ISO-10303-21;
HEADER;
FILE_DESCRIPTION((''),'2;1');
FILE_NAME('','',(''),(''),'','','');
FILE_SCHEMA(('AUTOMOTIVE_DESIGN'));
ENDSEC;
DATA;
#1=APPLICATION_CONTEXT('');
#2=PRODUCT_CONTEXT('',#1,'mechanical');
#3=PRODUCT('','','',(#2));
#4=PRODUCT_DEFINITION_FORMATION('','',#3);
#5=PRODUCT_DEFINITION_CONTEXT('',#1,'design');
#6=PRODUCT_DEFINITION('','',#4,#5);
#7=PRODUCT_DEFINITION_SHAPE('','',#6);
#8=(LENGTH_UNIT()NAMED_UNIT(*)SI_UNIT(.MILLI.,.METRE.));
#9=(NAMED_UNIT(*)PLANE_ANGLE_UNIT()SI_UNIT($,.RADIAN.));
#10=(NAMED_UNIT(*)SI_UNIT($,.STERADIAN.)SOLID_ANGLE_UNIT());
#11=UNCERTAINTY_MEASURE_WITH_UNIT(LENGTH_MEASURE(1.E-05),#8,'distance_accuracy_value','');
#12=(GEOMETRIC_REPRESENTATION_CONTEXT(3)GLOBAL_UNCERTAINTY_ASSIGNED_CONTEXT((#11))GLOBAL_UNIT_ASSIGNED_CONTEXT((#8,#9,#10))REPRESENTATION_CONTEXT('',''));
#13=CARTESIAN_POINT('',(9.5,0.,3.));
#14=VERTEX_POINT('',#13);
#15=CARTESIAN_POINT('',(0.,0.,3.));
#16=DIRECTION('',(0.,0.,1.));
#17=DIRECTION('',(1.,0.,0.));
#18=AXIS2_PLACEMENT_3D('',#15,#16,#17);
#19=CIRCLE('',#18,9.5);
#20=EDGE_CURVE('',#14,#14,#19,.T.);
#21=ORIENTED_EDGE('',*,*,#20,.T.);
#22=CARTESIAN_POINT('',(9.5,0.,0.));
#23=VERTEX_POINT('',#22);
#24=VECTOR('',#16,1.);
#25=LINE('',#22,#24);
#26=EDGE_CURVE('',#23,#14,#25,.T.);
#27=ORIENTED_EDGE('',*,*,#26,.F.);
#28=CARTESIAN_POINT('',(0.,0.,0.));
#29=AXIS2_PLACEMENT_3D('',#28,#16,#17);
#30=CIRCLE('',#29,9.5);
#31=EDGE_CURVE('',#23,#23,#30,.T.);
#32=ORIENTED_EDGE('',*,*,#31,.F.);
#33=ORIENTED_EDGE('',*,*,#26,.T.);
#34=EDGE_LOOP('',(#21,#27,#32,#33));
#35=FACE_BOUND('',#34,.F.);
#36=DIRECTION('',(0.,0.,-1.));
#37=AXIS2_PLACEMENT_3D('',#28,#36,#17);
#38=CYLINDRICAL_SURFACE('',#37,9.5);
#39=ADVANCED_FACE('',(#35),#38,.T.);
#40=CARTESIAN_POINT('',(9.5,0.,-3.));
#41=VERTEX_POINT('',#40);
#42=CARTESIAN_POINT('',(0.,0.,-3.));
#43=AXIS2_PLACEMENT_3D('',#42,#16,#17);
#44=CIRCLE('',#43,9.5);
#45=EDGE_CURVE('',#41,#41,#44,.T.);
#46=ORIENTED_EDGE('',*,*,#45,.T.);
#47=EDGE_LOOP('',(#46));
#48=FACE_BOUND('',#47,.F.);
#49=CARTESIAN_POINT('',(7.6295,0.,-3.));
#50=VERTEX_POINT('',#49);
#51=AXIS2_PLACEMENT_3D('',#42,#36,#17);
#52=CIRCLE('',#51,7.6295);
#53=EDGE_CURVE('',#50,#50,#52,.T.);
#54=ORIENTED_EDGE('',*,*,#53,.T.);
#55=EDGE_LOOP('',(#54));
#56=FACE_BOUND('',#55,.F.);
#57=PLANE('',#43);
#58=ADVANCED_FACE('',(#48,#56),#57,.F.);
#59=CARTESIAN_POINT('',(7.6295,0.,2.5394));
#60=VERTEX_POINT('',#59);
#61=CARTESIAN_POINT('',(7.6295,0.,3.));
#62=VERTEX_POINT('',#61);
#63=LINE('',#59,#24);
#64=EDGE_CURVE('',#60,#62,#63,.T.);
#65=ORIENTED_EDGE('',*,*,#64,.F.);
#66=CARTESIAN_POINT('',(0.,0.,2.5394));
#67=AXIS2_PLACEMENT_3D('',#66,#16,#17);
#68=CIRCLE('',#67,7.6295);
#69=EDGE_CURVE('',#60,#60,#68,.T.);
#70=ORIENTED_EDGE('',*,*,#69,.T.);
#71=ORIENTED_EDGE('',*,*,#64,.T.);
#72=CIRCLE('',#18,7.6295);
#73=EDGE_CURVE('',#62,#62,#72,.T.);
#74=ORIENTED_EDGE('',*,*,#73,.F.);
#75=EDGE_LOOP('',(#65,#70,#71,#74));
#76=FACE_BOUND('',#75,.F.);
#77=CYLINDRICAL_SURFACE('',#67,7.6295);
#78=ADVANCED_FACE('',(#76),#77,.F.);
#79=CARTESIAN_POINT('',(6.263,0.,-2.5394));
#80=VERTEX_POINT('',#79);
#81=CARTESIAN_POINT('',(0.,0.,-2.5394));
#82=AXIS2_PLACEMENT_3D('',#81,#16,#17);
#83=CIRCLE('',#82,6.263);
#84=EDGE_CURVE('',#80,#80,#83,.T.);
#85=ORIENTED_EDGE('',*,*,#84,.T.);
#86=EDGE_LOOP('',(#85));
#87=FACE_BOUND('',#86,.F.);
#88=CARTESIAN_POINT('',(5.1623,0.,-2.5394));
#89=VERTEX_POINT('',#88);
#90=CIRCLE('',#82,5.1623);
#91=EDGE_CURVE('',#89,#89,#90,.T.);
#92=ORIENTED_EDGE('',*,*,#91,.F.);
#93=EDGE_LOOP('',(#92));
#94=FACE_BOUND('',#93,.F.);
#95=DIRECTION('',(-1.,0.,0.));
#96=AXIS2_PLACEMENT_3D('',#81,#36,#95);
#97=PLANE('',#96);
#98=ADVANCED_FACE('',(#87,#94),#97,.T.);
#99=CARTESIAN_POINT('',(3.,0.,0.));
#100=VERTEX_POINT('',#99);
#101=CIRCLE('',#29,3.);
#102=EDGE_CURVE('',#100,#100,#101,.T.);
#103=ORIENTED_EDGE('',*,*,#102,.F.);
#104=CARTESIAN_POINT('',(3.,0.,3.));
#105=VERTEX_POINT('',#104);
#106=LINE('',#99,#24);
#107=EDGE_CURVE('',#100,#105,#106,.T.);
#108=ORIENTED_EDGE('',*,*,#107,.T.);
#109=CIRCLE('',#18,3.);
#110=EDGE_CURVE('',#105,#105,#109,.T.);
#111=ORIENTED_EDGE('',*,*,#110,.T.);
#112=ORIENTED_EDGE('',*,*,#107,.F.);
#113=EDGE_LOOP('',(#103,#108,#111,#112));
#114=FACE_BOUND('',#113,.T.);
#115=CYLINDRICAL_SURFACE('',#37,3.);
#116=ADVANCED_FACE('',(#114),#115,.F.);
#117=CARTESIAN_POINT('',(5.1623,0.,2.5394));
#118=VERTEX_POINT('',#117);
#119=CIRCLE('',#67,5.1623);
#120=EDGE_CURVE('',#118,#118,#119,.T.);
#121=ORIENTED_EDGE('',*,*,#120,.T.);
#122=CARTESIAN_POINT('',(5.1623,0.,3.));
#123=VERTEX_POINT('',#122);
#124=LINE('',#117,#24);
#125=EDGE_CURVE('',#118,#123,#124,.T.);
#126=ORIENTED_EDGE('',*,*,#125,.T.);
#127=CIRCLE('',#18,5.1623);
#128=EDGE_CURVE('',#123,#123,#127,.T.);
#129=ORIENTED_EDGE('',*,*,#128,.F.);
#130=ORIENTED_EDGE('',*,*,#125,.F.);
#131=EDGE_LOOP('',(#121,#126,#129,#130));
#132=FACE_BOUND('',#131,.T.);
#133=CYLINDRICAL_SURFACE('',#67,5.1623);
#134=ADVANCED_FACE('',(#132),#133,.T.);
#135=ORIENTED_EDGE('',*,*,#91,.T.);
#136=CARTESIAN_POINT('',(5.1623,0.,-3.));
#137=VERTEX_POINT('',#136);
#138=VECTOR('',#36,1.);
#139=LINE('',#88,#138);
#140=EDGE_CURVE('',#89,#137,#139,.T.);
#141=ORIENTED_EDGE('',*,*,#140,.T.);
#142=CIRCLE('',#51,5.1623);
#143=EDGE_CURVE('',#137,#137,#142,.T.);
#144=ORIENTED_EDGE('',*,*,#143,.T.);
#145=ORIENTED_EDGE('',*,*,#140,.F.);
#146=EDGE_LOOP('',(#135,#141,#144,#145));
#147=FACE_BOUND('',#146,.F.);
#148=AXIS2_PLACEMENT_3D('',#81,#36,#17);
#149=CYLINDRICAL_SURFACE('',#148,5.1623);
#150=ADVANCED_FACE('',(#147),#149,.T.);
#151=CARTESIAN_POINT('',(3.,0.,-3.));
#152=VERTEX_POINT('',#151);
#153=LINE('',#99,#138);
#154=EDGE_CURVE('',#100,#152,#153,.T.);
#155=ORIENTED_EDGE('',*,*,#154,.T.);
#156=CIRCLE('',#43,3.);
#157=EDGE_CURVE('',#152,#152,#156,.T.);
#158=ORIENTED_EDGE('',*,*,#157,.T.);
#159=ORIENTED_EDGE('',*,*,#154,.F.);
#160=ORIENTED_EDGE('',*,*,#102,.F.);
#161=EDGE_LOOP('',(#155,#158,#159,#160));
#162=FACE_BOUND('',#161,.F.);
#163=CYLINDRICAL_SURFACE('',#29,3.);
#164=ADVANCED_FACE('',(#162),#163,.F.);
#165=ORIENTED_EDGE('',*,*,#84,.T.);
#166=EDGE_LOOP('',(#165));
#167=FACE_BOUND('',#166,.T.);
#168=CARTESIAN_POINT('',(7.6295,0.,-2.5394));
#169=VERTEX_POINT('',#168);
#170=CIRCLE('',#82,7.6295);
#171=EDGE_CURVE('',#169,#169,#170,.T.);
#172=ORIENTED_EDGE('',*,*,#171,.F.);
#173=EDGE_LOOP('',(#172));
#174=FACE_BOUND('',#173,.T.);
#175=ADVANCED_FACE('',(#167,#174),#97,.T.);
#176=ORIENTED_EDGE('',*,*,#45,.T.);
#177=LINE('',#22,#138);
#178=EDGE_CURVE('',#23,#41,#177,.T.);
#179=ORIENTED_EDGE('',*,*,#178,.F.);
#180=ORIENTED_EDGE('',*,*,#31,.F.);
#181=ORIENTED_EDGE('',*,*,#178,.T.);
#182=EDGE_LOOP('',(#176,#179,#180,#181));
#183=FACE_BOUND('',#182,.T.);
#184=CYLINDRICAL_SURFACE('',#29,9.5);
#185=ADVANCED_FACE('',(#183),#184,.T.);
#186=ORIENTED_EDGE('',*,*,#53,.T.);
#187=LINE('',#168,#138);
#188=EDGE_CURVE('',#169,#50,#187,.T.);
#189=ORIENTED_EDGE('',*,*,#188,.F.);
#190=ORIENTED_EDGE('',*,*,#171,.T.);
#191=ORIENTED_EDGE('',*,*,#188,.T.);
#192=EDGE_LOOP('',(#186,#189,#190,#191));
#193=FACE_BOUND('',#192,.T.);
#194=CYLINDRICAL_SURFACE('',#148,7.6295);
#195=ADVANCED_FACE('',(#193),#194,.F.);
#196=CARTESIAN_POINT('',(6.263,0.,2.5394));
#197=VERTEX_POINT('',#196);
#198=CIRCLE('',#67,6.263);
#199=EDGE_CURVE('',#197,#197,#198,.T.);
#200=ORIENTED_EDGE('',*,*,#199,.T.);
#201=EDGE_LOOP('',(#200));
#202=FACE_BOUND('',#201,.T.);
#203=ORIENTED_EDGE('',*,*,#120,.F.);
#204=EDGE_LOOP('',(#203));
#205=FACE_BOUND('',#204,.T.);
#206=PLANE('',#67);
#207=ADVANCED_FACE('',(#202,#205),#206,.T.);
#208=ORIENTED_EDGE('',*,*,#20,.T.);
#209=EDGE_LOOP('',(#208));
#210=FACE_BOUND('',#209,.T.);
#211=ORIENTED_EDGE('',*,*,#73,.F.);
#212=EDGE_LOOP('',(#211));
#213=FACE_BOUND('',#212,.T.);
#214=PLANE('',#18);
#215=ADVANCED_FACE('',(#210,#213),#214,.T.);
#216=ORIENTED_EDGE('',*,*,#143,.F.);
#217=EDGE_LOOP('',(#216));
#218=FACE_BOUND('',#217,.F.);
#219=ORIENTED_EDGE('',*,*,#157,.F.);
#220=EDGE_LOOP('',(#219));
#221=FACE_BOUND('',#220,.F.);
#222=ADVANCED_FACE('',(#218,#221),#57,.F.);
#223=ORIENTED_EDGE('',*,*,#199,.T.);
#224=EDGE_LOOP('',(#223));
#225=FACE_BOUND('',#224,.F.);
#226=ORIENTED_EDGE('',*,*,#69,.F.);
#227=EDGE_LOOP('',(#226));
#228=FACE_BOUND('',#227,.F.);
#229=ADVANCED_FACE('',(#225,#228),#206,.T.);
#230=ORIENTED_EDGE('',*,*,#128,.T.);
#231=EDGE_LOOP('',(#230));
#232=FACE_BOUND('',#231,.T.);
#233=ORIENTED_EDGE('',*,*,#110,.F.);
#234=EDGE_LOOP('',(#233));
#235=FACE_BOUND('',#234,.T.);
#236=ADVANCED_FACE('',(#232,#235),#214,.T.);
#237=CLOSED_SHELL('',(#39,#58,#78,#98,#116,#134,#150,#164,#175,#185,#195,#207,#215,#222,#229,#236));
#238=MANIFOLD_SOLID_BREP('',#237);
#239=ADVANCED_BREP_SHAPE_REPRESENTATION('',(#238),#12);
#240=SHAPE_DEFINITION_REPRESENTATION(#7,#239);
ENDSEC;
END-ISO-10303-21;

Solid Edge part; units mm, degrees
sketch "Sketch1" plane through (0, 0, 0) normal (0, 0, 1) x (1, 0, 0)
  circle A0 centre (0, 0) radius 3
  circle A1 centre (0, 0) radius 9.5
  dimension "D1" = 6
  dimension "D2" = 19
extrude "Protrusion1" add sketch "Sketch1" along normal mid plane 6
sketch "Sketch2" plane through (0, 0, 0) normal (0, -1, 0) x (1, 0, 0)
  line L0 (7.6295, 2.5394) -> (7.6295, 3.4504)
  line L1 (6.263, 2.5394) -> (7.6295, 2.5394)
  line L2 (6.263, 2.5394) -> (5.1623, 2.5394)
  line L3 (5.1623, 2.5394) -> (5.1623, 3.4504)
revolve "RevolvedCutout1" cut sketch "Sketch2" angle 360 about axis through (0, 0, -54) along (0, 0, 1) material side at (7.5795, 0, 2.9949)
mirror "Mirror1" about plane through (0, 0, 0) normal (0, 0, 1) of "RevolvedCutout1"
